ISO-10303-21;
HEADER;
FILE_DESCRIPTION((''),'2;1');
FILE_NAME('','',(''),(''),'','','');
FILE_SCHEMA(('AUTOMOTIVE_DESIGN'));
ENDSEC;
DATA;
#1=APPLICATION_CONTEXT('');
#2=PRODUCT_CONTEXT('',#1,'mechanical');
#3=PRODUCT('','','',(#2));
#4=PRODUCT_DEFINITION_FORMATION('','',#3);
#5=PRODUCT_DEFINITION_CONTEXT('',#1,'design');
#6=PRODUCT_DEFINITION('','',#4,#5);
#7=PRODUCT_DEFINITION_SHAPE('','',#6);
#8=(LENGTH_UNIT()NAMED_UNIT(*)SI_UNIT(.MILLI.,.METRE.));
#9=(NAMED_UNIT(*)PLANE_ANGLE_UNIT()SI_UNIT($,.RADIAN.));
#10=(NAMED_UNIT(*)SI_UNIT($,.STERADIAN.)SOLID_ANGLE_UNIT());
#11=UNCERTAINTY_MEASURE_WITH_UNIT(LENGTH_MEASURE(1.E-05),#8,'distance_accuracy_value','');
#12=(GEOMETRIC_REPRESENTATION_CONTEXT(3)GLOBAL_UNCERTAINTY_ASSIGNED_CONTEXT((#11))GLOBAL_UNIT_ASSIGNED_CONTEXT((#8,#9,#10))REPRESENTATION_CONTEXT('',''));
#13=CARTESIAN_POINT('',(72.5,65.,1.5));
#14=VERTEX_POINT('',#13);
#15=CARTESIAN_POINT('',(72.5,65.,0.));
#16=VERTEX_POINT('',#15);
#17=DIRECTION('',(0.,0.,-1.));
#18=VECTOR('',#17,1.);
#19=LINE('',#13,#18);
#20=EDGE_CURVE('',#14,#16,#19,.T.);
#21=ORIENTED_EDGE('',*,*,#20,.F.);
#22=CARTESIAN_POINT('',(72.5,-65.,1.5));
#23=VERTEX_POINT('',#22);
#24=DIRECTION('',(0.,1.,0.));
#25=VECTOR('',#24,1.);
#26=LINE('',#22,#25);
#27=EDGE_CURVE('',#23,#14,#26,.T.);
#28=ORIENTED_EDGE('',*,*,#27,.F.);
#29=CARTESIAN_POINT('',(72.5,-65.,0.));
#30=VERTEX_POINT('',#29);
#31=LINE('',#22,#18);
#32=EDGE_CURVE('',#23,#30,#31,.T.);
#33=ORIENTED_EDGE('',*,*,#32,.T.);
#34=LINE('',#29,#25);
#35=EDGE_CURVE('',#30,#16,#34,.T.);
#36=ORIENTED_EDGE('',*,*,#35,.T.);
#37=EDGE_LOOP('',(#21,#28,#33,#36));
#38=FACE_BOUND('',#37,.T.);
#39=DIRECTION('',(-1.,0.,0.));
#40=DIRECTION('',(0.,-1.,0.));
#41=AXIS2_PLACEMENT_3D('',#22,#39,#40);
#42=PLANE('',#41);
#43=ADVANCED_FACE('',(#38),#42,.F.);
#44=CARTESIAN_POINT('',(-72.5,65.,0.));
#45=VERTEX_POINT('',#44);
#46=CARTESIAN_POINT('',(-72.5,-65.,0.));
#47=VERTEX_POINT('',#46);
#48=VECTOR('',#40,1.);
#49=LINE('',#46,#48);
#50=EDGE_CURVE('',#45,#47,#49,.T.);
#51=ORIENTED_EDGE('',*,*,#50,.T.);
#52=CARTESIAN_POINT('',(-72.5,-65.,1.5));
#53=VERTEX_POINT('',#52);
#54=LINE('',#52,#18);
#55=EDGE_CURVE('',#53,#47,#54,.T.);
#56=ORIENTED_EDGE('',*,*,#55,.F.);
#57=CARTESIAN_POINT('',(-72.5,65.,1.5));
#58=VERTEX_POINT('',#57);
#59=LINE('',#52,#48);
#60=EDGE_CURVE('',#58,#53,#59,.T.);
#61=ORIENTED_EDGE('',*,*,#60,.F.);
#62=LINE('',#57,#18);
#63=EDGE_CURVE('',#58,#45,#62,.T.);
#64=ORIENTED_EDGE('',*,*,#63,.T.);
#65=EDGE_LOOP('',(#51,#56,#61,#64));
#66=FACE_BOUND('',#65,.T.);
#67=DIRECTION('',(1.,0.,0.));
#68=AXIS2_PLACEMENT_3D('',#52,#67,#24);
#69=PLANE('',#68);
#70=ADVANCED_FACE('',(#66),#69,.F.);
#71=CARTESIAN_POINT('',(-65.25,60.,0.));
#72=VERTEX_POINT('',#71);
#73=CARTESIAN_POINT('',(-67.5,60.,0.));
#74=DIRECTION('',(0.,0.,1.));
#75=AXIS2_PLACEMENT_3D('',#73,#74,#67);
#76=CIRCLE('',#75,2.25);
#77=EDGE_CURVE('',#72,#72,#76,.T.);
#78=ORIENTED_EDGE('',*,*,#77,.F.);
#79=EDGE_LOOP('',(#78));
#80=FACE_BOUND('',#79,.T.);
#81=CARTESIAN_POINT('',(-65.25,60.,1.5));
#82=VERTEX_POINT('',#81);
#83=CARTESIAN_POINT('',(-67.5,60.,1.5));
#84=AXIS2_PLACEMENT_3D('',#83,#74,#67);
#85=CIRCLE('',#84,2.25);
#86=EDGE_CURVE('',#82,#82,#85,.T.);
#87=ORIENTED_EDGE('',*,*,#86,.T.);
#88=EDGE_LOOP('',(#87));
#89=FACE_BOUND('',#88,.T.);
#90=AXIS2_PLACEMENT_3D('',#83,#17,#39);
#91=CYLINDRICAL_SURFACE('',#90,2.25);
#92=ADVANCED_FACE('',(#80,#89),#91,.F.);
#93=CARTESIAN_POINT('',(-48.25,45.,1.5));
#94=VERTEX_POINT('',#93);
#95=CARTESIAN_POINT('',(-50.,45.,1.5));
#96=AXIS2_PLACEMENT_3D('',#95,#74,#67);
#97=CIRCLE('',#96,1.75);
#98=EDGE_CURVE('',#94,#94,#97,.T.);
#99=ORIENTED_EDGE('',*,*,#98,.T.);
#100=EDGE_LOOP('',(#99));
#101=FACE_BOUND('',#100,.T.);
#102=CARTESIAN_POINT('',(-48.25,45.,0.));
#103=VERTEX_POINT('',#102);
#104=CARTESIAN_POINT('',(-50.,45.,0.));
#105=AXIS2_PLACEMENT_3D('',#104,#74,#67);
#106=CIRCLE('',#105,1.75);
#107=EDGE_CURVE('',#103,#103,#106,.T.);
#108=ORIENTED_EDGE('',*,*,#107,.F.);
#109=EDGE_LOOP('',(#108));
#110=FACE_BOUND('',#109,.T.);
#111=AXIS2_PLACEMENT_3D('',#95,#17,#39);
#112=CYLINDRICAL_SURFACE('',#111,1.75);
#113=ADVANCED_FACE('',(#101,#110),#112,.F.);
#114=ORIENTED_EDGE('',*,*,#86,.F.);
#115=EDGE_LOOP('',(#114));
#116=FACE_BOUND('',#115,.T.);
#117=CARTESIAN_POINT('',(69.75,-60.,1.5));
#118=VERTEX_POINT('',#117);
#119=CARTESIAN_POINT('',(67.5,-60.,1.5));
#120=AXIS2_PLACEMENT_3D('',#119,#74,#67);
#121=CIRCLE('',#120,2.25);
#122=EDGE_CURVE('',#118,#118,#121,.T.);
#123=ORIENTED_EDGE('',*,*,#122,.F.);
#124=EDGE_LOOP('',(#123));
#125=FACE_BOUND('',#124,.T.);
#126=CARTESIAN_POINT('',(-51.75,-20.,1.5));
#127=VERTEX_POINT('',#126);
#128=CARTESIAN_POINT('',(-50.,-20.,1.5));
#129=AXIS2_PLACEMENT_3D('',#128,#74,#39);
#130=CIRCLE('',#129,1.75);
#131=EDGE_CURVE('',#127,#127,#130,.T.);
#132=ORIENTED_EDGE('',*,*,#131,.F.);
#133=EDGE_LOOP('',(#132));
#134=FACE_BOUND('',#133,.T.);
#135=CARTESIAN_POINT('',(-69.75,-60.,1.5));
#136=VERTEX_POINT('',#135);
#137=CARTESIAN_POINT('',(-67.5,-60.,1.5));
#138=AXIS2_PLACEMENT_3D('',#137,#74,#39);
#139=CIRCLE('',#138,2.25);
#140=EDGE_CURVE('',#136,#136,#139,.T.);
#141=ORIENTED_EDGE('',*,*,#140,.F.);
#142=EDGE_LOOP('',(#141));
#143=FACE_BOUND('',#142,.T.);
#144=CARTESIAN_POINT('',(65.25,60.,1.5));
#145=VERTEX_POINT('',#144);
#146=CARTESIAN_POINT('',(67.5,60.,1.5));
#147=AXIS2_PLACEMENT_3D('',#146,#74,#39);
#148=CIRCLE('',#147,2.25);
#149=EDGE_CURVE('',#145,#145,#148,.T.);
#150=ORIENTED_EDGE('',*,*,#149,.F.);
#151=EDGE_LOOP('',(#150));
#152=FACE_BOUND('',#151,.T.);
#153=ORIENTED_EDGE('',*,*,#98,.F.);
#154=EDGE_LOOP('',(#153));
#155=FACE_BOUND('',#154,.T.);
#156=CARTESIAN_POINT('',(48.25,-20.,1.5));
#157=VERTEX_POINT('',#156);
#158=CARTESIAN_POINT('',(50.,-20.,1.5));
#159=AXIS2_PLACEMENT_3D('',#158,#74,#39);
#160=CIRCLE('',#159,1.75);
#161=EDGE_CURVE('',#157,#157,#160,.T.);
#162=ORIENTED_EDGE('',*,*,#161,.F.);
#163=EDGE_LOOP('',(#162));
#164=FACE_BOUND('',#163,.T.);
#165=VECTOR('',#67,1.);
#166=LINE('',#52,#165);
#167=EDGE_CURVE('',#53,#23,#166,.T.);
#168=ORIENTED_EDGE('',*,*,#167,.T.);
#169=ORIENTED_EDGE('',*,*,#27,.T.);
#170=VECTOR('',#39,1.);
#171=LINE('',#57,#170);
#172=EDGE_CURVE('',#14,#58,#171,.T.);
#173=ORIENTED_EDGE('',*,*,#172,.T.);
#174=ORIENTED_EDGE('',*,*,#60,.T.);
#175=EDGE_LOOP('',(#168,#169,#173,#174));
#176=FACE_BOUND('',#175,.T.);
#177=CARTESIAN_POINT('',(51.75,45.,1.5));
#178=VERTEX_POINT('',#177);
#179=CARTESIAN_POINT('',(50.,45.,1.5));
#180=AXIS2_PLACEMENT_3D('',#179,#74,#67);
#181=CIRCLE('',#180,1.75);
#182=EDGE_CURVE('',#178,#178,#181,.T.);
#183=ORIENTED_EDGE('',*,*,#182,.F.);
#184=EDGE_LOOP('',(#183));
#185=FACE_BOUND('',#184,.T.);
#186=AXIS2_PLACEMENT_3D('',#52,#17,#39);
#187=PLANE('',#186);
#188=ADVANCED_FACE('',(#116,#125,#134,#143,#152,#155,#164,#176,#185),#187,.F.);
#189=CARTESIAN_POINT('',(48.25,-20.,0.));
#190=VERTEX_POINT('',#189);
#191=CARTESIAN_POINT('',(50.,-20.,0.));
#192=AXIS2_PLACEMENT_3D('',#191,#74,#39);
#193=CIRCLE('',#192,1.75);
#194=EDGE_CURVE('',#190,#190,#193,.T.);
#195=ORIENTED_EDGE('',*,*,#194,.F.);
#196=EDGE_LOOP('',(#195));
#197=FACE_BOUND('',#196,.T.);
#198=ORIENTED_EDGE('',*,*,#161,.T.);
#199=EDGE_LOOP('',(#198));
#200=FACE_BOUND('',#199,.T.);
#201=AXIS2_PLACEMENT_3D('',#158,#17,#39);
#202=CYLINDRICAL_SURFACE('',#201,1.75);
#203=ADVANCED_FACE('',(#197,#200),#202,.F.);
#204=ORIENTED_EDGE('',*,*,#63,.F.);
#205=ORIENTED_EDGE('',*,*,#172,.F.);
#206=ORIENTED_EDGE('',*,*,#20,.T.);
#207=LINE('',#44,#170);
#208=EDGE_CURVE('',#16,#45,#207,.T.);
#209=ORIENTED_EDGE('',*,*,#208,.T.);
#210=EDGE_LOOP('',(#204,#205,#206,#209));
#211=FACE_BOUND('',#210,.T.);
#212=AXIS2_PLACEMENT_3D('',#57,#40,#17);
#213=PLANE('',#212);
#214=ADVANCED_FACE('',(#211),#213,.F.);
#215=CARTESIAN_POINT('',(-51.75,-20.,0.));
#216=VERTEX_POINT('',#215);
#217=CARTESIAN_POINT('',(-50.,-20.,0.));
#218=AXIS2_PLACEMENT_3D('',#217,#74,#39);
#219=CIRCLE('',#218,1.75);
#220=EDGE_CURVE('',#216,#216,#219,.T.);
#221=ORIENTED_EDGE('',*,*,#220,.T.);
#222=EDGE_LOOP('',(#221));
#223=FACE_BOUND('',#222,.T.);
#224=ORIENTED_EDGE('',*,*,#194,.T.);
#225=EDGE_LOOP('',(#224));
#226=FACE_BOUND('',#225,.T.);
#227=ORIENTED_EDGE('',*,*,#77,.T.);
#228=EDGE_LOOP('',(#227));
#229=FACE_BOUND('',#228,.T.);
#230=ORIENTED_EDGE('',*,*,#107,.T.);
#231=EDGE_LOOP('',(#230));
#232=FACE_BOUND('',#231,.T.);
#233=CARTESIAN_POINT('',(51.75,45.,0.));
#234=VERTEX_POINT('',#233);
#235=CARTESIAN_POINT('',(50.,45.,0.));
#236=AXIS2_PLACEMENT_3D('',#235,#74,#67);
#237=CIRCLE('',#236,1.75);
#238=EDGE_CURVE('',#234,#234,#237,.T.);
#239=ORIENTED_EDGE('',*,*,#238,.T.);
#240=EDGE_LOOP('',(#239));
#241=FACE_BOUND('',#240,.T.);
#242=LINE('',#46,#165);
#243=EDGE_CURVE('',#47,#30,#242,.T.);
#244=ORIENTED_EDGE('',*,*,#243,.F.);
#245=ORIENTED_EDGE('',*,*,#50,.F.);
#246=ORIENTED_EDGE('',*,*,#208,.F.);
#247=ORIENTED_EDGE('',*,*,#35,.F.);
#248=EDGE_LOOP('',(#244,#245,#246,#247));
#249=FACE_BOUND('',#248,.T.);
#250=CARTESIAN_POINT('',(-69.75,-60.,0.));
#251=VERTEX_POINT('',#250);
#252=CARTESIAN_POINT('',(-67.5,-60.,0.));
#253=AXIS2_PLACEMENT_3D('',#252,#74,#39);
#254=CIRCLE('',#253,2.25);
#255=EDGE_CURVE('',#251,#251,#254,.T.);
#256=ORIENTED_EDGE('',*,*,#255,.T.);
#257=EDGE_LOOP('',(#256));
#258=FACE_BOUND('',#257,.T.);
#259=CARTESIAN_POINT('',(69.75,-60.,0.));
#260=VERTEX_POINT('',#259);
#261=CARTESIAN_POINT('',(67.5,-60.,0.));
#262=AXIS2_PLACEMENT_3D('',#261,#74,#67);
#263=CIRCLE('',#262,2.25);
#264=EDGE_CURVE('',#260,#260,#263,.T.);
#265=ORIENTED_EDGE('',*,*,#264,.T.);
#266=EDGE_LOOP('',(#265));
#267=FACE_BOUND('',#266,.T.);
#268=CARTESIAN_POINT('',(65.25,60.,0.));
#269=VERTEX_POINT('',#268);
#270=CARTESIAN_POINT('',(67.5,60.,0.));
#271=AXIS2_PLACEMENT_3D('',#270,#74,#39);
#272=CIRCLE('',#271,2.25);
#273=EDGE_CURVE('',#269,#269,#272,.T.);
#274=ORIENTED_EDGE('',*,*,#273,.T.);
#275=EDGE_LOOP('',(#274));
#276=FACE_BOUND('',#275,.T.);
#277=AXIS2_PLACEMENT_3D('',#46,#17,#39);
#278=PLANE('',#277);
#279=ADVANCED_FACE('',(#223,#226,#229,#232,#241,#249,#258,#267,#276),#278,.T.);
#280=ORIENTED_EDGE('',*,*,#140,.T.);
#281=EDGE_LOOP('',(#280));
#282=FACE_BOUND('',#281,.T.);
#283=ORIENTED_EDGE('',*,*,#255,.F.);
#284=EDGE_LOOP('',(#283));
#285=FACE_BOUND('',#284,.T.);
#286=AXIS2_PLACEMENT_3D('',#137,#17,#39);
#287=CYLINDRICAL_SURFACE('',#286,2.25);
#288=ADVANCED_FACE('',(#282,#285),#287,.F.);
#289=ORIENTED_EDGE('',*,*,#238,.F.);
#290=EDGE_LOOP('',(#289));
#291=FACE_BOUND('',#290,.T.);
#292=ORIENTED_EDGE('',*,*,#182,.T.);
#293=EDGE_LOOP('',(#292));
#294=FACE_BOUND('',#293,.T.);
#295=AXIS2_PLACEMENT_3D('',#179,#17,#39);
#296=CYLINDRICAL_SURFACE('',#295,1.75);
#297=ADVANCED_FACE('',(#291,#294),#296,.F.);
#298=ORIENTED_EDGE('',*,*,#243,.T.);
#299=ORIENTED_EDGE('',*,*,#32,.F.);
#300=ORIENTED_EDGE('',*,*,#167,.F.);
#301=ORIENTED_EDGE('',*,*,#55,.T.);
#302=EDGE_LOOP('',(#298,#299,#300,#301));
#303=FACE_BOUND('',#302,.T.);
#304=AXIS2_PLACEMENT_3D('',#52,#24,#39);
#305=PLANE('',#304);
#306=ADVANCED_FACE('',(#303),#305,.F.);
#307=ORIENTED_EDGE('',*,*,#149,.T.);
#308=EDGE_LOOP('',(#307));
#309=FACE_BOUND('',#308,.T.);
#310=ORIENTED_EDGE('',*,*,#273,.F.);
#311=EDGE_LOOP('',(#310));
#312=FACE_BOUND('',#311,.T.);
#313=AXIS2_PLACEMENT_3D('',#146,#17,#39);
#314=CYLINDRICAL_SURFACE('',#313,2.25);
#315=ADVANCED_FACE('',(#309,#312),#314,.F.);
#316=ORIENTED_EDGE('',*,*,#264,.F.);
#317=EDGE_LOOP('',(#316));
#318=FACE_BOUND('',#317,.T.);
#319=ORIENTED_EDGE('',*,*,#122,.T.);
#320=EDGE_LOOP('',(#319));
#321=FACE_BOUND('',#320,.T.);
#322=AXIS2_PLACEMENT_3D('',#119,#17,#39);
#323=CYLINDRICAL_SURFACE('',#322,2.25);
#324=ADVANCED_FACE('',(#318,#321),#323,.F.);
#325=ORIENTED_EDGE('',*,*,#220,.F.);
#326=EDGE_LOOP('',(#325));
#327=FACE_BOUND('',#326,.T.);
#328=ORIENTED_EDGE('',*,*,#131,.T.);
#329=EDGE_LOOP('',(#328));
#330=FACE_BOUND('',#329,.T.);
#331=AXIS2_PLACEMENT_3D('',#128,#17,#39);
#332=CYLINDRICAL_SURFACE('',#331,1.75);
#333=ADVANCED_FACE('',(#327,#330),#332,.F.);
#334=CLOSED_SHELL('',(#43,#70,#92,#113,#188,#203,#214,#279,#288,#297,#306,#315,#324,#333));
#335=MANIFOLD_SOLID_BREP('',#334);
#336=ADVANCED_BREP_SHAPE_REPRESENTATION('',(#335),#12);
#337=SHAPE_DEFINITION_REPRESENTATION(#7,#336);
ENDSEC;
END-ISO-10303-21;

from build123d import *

# Parameters (mm, degrees)
SKETCH_1_W      = 145
SKETCH_1_H      = 130
SKETCH_1_R      = 2.25
SKETCH_1_R_2    = 1.75
EXTRUDE_1_DEPTH = 1.5


with BuildPart() as part:
    # Эскиз1 → Вытянуть1 (new body)
    with BuildSketch(Plane.XY):
        Rectangle(SKETCH_1_W, SKETCH_1_H)
        with Locations((-67.5, 60)):
            Circle(SKETCH_1_R, mode=Mode.SUBTRACT)
        with Locations(Location((-67.5, -60, 0), (0, 0, 180))):
            Circle(SKETCH_1_R, mode=Mode.SUBTRACT)
        with Locations((67.5, -60)):
            Circle(SKETCH_1_R, mode=Mode.SUBTRACT)
        with Locations(Location((67.5, 60, 0), (0, 0, 180))):
            Circle(SKETCH_1_R, mode=Mode.SUBTRACT)
        with Locations((-50, 45)):
            Circle(SKETCH_1_R_2, mode=Mode.SUBTRACT)
        with Locations(Location((-50, -20, 0), (0, 0, 180))):
            Circle(SKETCH_1_R_2, mode=Mode.SUBTRACT)
        with Locations((50, 45)):
            Circle(SKETCH_1_R_2, mode=Mode.SUBTRACT)
        with Locations(Location((50, -20, 0), (0, 0, 180))):
            Circle(SKETCH_1_R_2, mode=Mode.SUBTRACT)
    extrude(amount=EXTRUDE_1_DEPTH)


solid = part.part
